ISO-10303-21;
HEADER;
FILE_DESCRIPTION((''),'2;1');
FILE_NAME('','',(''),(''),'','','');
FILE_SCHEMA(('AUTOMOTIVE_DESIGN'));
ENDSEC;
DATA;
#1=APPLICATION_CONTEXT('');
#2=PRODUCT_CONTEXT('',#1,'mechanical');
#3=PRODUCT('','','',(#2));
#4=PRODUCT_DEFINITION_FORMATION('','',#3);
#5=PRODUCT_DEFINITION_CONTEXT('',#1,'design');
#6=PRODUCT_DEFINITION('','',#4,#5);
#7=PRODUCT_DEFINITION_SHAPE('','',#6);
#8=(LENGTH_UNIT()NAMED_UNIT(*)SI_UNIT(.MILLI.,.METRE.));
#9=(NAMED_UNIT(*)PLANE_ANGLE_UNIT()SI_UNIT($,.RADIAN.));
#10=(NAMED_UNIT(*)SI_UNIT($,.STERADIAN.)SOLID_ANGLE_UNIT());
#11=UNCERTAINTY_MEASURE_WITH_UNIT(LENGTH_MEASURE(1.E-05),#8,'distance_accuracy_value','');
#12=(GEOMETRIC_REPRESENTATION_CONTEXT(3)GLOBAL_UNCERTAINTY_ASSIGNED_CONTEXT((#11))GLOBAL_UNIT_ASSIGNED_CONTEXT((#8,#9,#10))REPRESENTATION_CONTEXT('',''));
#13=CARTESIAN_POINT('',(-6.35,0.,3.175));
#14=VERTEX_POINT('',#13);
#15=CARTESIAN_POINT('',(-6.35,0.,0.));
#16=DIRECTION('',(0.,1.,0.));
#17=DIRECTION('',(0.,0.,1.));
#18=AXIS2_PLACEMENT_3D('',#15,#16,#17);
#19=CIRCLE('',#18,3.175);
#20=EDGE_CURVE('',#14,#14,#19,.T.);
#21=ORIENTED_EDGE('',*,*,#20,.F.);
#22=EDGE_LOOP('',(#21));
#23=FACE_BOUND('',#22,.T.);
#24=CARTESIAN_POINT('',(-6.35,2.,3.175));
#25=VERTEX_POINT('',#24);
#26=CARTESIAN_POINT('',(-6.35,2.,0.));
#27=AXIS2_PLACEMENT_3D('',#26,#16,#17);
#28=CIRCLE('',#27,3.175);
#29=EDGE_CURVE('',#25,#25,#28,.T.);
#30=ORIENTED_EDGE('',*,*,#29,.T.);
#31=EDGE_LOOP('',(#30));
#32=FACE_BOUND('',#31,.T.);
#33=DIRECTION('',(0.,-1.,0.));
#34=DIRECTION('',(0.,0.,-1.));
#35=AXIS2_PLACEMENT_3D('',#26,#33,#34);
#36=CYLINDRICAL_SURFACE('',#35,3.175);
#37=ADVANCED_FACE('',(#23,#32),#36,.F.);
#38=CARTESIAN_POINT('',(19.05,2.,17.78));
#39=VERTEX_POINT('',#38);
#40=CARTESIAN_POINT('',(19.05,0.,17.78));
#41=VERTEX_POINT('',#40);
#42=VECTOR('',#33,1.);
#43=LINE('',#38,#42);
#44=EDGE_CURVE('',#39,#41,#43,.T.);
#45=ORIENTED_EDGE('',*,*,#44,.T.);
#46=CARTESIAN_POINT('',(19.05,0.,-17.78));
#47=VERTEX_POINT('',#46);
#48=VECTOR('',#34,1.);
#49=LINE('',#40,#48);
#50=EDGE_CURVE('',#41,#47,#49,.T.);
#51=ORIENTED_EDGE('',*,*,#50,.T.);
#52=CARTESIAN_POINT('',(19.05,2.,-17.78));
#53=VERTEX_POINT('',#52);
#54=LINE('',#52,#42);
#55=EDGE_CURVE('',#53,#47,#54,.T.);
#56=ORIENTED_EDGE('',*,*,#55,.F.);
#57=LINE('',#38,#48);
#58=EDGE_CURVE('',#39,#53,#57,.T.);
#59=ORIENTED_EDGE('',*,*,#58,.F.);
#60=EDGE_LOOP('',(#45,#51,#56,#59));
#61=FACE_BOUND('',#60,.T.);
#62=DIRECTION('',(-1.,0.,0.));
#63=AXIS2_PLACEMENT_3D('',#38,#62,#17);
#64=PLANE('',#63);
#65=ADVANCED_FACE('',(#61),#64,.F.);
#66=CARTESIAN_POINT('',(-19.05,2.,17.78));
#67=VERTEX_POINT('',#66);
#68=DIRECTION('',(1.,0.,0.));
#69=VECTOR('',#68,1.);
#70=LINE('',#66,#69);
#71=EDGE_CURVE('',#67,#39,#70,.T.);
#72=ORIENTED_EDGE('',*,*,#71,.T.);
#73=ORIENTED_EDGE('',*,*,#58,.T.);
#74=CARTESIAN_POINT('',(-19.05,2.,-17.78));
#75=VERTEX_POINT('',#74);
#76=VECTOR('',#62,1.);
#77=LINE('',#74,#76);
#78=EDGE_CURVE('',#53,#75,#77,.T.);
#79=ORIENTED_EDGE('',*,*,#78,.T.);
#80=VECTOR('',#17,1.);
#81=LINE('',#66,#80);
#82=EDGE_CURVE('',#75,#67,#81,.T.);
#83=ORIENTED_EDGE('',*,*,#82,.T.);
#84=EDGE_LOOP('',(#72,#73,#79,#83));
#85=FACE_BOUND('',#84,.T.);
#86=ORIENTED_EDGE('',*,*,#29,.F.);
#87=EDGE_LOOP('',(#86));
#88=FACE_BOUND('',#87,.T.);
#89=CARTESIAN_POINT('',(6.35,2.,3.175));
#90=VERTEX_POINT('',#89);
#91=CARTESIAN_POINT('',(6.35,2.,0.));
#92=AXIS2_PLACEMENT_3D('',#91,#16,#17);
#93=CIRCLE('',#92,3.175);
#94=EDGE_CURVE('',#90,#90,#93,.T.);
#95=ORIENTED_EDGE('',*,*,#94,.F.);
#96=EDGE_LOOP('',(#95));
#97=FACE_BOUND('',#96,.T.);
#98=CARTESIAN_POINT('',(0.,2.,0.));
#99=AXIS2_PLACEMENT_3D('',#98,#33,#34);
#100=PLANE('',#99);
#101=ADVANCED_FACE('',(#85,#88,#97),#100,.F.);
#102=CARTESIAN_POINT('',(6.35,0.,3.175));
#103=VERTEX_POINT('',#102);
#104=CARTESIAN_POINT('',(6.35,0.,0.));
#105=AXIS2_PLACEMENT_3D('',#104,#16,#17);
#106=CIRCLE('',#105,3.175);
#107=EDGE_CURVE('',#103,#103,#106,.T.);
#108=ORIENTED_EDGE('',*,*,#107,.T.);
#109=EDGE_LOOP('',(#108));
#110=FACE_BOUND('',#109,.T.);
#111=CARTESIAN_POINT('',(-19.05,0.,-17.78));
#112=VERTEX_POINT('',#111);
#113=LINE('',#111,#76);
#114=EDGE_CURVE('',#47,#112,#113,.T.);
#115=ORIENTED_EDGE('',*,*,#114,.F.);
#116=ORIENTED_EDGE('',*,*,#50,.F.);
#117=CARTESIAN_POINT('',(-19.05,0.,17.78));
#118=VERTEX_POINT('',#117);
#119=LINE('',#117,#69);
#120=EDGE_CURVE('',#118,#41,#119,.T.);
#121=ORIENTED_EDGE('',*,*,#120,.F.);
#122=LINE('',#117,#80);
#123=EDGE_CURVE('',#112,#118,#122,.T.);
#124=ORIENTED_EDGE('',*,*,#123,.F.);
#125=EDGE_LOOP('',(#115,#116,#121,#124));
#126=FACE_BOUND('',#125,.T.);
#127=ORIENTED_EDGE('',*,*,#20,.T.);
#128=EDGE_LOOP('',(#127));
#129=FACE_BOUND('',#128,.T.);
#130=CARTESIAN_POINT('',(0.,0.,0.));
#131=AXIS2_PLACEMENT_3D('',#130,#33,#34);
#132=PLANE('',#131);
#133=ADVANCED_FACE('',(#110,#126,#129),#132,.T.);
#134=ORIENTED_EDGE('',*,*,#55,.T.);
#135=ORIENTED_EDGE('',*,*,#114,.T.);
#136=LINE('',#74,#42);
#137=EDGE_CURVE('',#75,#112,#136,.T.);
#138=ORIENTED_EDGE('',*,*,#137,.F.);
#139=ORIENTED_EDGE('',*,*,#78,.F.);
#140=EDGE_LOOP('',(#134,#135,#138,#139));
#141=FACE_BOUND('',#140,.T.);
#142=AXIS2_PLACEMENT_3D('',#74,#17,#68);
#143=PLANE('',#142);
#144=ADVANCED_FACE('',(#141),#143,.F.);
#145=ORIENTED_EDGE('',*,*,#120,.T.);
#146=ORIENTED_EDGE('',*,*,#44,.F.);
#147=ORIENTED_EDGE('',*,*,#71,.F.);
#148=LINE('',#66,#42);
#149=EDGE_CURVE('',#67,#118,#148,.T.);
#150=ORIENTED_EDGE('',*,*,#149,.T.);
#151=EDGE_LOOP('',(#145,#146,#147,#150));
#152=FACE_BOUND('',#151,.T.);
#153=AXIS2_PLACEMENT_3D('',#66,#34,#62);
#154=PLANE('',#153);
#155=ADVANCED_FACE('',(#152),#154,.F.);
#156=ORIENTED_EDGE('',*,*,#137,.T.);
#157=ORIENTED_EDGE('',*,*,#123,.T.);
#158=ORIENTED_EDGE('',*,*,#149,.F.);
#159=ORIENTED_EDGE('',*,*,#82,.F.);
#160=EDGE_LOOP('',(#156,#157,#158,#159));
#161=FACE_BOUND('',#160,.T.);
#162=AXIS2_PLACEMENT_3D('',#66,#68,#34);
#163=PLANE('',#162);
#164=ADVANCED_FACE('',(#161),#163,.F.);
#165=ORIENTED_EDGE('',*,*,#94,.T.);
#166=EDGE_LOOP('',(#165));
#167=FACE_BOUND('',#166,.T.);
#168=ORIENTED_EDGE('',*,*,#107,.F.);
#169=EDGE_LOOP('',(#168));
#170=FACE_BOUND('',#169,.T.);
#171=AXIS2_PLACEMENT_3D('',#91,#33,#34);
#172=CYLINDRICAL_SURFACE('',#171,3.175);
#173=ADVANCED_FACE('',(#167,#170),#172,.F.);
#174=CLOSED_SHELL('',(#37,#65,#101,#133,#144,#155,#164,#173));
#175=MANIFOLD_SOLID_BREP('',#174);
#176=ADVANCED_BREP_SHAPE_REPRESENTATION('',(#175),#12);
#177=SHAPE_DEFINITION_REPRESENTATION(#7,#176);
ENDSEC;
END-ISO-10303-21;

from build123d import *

# Parameters (mm, degrees)
SKETCH1_W           = 38.1
SKETCH1_H           = 35.56
SKETCH1_R           = 3.175
BOSS_EXTRUDE1_DEPTH = 2


with BuildPart() as part:
    # Sketch1 → Boss-Extrude1 (new body)
    with BuildSketch(Plane(origin=(0, 0, 0), x_dir=(1, 0, 0), z_dir=(0, 1, 0))):
        Rectangle(SKETCH1_W, SKETCH1_H)
        with Locations(Location((-6.35, 0, 0), (0, 0, 270))):
            Circle(SKETCH1_R, mode=Mode.SUBTRACT)
        with Locations(Location((6.35, 0, 0), (0, 0, 270))):
            Circle(SKETCH1_R, mode=Mode.SUBTRACT)
    extrude(amount=BOSS_EXTRUDE1_DEPTH)


solid = part.part
